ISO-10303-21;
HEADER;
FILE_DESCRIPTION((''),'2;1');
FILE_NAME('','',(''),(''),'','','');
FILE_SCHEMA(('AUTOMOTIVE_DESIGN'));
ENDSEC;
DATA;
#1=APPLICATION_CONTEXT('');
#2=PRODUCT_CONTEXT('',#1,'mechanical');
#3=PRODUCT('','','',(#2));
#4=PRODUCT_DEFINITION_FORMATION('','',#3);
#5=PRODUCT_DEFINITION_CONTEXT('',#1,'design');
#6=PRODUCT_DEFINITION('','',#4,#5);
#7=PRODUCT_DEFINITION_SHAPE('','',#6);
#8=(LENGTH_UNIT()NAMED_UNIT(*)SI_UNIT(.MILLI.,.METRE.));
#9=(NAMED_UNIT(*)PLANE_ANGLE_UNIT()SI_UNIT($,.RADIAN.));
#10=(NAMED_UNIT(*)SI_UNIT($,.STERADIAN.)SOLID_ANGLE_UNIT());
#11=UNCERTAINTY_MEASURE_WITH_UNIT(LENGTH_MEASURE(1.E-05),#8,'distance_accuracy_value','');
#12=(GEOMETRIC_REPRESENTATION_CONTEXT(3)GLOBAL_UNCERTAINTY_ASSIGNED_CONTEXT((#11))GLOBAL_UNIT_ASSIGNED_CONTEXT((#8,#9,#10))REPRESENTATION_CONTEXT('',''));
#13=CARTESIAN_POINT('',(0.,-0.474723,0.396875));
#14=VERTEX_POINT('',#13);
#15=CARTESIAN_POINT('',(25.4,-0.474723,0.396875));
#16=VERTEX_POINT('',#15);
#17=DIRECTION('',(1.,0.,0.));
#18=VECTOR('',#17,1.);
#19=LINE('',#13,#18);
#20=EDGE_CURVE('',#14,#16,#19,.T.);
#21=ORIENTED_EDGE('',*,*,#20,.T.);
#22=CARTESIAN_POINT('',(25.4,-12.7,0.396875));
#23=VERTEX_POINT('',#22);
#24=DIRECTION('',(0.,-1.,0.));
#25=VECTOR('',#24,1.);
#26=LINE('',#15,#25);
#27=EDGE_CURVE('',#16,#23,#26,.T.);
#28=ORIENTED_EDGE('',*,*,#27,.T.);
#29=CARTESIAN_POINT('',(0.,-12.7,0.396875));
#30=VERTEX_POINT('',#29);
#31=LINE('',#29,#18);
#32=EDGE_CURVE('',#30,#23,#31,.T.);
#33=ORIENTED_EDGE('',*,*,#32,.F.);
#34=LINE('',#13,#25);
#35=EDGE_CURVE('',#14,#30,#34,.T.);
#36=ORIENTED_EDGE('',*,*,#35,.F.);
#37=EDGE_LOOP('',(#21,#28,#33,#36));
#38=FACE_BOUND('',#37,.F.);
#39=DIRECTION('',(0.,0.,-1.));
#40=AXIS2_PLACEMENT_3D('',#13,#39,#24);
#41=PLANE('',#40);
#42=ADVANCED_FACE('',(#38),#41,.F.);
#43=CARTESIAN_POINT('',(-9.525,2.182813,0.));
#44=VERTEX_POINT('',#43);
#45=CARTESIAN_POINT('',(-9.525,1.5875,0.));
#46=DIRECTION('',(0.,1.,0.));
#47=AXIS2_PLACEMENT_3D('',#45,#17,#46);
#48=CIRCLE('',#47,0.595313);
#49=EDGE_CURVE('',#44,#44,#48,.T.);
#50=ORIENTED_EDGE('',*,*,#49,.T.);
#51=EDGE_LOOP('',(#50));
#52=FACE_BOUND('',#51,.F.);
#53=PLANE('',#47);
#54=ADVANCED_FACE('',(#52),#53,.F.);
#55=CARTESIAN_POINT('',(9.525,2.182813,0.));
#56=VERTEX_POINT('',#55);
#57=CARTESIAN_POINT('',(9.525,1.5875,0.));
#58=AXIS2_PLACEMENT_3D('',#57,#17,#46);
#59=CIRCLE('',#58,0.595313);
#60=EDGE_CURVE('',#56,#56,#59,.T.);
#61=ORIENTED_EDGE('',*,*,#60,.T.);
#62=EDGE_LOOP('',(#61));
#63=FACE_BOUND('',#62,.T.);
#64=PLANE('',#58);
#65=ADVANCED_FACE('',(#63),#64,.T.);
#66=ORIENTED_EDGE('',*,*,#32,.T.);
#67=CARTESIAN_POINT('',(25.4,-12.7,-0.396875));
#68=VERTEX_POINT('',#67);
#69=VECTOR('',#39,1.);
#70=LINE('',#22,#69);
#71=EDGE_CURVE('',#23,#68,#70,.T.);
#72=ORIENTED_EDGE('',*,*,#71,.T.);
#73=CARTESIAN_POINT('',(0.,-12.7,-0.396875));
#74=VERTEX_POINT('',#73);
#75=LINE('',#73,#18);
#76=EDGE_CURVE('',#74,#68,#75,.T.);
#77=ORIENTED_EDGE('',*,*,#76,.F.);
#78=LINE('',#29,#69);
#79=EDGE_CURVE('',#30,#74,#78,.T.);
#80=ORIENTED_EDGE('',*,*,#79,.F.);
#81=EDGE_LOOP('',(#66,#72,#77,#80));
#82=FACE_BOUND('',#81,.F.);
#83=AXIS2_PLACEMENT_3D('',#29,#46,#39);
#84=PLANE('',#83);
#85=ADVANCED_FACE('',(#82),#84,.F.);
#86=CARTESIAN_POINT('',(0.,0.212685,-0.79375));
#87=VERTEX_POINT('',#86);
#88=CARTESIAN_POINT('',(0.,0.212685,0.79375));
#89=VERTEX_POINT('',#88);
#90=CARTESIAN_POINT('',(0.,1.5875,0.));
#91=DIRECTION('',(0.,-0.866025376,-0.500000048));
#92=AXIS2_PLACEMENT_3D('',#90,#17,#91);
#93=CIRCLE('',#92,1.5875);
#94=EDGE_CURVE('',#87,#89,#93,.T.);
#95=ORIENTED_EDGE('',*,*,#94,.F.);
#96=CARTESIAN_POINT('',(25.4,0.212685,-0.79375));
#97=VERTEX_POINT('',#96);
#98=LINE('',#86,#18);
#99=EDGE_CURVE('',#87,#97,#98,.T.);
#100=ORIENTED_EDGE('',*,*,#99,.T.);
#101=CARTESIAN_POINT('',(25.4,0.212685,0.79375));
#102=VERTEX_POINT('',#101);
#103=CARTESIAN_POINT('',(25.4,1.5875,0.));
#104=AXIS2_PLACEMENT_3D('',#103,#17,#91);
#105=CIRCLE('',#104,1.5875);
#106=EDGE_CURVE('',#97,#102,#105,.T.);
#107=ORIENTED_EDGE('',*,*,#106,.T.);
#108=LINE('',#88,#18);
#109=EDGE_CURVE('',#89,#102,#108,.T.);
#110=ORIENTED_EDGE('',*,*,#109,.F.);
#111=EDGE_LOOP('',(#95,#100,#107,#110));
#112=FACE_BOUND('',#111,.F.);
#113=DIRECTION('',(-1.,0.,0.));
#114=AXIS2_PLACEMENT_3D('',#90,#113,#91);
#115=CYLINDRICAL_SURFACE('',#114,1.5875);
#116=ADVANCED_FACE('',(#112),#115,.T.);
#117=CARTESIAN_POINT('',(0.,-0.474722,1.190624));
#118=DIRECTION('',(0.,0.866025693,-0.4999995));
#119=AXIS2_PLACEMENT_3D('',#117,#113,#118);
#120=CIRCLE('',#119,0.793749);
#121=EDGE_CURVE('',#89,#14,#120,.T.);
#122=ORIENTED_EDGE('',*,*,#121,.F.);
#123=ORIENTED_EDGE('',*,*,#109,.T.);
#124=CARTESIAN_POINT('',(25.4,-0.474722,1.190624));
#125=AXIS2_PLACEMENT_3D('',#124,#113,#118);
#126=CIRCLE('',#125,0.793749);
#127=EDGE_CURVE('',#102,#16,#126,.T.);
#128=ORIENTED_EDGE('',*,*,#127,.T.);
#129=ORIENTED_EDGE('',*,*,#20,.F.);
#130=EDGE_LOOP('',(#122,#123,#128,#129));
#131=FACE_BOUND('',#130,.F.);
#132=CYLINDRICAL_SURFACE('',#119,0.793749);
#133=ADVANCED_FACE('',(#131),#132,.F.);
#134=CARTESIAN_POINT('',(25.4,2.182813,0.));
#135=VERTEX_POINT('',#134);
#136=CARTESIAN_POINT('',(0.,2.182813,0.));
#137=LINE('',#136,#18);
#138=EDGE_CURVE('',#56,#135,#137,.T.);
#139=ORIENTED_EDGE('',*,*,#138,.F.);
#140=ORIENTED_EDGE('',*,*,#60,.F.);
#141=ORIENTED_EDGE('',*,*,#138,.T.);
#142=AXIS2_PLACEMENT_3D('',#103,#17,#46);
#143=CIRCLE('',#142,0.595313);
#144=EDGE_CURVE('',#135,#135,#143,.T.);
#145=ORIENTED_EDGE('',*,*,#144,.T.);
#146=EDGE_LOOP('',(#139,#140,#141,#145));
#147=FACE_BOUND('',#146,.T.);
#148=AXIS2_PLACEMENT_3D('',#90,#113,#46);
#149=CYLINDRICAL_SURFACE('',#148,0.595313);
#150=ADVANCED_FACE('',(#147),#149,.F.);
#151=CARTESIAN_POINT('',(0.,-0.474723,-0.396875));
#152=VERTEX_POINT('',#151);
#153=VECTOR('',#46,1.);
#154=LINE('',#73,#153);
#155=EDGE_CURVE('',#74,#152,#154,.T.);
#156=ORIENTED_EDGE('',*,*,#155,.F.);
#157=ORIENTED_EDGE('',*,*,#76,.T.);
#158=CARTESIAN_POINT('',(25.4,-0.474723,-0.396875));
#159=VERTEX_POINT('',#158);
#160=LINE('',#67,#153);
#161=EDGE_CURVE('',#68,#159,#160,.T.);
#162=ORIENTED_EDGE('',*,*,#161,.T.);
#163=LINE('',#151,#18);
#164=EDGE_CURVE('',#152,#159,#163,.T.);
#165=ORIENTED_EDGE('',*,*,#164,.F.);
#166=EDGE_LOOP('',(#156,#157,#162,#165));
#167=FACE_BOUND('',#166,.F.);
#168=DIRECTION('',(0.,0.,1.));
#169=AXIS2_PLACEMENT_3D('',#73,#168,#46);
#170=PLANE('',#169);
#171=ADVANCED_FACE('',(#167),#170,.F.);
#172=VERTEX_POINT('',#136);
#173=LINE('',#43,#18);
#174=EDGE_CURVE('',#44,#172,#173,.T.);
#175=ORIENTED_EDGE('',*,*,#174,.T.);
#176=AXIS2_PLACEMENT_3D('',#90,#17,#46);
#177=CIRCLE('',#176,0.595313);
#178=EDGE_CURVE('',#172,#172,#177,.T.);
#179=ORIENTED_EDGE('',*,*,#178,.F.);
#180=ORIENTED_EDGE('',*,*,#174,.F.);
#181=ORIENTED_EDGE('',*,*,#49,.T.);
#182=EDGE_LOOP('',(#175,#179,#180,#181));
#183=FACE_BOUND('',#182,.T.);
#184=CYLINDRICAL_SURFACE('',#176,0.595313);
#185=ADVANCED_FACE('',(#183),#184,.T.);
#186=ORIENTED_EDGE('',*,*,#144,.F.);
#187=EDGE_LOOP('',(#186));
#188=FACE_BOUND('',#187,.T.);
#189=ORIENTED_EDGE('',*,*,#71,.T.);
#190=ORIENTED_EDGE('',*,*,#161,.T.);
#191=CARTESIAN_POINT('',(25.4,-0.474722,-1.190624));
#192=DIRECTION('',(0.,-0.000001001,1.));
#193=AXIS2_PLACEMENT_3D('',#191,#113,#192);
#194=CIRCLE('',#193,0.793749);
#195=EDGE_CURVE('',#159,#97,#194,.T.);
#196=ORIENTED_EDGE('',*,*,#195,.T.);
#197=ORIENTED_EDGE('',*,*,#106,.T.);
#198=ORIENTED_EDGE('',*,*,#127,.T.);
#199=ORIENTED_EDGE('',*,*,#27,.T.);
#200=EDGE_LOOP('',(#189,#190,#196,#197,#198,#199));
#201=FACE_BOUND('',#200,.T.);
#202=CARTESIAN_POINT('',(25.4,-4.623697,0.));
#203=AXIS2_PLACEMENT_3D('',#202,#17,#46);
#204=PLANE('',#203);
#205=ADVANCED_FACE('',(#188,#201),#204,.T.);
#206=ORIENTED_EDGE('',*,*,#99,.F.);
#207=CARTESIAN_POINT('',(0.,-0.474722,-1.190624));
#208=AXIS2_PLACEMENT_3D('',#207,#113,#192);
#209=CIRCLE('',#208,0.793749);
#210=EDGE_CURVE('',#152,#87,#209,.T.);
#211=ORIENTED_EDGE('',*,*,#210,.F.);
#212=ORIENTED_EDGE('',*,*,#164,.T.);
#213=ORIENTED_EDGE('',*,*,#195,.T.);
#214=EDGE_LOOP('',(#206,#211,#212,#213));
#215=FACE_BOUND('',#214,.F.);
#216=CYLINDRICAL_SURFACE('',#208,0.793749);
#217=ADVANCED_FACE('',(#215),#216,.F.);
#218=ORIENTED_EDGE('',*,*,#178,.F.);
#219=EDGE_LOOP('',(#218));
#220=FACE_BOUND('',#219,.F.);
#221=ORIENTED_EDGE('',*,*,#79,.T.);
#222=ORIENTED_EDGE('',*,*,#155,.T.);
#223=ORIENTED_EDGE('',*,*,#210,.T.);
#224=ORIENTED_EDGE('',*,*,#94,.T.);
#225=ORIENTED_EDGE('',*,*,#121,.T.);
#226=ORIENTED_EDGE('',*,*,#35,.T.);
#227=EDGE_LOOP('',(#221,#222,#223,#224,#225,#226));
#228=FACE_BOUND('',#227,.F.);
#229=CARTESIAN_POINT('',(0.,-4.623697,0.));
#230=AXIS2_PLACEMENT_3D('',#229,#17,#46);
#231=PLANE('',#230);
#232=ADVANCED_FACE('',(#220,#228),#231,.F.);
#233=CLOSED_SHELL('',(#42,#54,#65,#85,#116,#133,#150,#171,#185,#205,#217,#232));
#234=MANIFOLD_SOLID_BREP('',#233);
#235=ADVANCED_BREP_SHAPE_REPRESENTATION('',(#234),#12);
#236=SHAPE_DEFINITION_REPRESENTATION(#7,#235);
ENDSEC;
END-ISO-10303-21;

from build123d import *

# Parameters (mm, degrees)
F0_R     = 0.595313
F1_DEPTH = 9.525
F2_DEPTH = 25.4


with BuildPart() as f1:
    # F0 (on Right) → F1 (new body, symmetric)
    with BuildSketch(Plane.YZ):
        with Locations((1.5875, 0)):
            Circle(F0_R)
    extrude(amount=F1_DEPTH, both=True)

    # F0 (on Right) → F2 (join)
    with BuildSketch(Plane.YZ):
        with BuildLine():
            Line((-12.7, 0.396875), (-12.7, -0.396875))
            Line((-12.7, -0.396875), (-0.474723, -0.396875))
            ThreePointArc((-0.474723, -0.396875), (-0.077848, -0.503217), (0.212685, -0.79375))
            ThreePointArc((0.212685, -0.79375), (3.175, 0), (0.212685, 0.79375))
            ThreePointArc((0.212685, 0.79375), (-0.077848, 0.503217), (-0.474723, 0.396875))
            Line((-0.474723, 0.396875), (-12.7, 0.396875))
        make_face()
        with Locations((1.5875, 0)):
            Circle(F0_R, mode=Mode.SUBTRACT)
    extrude(amount=F2_DEPTH)


solid = f1.part
